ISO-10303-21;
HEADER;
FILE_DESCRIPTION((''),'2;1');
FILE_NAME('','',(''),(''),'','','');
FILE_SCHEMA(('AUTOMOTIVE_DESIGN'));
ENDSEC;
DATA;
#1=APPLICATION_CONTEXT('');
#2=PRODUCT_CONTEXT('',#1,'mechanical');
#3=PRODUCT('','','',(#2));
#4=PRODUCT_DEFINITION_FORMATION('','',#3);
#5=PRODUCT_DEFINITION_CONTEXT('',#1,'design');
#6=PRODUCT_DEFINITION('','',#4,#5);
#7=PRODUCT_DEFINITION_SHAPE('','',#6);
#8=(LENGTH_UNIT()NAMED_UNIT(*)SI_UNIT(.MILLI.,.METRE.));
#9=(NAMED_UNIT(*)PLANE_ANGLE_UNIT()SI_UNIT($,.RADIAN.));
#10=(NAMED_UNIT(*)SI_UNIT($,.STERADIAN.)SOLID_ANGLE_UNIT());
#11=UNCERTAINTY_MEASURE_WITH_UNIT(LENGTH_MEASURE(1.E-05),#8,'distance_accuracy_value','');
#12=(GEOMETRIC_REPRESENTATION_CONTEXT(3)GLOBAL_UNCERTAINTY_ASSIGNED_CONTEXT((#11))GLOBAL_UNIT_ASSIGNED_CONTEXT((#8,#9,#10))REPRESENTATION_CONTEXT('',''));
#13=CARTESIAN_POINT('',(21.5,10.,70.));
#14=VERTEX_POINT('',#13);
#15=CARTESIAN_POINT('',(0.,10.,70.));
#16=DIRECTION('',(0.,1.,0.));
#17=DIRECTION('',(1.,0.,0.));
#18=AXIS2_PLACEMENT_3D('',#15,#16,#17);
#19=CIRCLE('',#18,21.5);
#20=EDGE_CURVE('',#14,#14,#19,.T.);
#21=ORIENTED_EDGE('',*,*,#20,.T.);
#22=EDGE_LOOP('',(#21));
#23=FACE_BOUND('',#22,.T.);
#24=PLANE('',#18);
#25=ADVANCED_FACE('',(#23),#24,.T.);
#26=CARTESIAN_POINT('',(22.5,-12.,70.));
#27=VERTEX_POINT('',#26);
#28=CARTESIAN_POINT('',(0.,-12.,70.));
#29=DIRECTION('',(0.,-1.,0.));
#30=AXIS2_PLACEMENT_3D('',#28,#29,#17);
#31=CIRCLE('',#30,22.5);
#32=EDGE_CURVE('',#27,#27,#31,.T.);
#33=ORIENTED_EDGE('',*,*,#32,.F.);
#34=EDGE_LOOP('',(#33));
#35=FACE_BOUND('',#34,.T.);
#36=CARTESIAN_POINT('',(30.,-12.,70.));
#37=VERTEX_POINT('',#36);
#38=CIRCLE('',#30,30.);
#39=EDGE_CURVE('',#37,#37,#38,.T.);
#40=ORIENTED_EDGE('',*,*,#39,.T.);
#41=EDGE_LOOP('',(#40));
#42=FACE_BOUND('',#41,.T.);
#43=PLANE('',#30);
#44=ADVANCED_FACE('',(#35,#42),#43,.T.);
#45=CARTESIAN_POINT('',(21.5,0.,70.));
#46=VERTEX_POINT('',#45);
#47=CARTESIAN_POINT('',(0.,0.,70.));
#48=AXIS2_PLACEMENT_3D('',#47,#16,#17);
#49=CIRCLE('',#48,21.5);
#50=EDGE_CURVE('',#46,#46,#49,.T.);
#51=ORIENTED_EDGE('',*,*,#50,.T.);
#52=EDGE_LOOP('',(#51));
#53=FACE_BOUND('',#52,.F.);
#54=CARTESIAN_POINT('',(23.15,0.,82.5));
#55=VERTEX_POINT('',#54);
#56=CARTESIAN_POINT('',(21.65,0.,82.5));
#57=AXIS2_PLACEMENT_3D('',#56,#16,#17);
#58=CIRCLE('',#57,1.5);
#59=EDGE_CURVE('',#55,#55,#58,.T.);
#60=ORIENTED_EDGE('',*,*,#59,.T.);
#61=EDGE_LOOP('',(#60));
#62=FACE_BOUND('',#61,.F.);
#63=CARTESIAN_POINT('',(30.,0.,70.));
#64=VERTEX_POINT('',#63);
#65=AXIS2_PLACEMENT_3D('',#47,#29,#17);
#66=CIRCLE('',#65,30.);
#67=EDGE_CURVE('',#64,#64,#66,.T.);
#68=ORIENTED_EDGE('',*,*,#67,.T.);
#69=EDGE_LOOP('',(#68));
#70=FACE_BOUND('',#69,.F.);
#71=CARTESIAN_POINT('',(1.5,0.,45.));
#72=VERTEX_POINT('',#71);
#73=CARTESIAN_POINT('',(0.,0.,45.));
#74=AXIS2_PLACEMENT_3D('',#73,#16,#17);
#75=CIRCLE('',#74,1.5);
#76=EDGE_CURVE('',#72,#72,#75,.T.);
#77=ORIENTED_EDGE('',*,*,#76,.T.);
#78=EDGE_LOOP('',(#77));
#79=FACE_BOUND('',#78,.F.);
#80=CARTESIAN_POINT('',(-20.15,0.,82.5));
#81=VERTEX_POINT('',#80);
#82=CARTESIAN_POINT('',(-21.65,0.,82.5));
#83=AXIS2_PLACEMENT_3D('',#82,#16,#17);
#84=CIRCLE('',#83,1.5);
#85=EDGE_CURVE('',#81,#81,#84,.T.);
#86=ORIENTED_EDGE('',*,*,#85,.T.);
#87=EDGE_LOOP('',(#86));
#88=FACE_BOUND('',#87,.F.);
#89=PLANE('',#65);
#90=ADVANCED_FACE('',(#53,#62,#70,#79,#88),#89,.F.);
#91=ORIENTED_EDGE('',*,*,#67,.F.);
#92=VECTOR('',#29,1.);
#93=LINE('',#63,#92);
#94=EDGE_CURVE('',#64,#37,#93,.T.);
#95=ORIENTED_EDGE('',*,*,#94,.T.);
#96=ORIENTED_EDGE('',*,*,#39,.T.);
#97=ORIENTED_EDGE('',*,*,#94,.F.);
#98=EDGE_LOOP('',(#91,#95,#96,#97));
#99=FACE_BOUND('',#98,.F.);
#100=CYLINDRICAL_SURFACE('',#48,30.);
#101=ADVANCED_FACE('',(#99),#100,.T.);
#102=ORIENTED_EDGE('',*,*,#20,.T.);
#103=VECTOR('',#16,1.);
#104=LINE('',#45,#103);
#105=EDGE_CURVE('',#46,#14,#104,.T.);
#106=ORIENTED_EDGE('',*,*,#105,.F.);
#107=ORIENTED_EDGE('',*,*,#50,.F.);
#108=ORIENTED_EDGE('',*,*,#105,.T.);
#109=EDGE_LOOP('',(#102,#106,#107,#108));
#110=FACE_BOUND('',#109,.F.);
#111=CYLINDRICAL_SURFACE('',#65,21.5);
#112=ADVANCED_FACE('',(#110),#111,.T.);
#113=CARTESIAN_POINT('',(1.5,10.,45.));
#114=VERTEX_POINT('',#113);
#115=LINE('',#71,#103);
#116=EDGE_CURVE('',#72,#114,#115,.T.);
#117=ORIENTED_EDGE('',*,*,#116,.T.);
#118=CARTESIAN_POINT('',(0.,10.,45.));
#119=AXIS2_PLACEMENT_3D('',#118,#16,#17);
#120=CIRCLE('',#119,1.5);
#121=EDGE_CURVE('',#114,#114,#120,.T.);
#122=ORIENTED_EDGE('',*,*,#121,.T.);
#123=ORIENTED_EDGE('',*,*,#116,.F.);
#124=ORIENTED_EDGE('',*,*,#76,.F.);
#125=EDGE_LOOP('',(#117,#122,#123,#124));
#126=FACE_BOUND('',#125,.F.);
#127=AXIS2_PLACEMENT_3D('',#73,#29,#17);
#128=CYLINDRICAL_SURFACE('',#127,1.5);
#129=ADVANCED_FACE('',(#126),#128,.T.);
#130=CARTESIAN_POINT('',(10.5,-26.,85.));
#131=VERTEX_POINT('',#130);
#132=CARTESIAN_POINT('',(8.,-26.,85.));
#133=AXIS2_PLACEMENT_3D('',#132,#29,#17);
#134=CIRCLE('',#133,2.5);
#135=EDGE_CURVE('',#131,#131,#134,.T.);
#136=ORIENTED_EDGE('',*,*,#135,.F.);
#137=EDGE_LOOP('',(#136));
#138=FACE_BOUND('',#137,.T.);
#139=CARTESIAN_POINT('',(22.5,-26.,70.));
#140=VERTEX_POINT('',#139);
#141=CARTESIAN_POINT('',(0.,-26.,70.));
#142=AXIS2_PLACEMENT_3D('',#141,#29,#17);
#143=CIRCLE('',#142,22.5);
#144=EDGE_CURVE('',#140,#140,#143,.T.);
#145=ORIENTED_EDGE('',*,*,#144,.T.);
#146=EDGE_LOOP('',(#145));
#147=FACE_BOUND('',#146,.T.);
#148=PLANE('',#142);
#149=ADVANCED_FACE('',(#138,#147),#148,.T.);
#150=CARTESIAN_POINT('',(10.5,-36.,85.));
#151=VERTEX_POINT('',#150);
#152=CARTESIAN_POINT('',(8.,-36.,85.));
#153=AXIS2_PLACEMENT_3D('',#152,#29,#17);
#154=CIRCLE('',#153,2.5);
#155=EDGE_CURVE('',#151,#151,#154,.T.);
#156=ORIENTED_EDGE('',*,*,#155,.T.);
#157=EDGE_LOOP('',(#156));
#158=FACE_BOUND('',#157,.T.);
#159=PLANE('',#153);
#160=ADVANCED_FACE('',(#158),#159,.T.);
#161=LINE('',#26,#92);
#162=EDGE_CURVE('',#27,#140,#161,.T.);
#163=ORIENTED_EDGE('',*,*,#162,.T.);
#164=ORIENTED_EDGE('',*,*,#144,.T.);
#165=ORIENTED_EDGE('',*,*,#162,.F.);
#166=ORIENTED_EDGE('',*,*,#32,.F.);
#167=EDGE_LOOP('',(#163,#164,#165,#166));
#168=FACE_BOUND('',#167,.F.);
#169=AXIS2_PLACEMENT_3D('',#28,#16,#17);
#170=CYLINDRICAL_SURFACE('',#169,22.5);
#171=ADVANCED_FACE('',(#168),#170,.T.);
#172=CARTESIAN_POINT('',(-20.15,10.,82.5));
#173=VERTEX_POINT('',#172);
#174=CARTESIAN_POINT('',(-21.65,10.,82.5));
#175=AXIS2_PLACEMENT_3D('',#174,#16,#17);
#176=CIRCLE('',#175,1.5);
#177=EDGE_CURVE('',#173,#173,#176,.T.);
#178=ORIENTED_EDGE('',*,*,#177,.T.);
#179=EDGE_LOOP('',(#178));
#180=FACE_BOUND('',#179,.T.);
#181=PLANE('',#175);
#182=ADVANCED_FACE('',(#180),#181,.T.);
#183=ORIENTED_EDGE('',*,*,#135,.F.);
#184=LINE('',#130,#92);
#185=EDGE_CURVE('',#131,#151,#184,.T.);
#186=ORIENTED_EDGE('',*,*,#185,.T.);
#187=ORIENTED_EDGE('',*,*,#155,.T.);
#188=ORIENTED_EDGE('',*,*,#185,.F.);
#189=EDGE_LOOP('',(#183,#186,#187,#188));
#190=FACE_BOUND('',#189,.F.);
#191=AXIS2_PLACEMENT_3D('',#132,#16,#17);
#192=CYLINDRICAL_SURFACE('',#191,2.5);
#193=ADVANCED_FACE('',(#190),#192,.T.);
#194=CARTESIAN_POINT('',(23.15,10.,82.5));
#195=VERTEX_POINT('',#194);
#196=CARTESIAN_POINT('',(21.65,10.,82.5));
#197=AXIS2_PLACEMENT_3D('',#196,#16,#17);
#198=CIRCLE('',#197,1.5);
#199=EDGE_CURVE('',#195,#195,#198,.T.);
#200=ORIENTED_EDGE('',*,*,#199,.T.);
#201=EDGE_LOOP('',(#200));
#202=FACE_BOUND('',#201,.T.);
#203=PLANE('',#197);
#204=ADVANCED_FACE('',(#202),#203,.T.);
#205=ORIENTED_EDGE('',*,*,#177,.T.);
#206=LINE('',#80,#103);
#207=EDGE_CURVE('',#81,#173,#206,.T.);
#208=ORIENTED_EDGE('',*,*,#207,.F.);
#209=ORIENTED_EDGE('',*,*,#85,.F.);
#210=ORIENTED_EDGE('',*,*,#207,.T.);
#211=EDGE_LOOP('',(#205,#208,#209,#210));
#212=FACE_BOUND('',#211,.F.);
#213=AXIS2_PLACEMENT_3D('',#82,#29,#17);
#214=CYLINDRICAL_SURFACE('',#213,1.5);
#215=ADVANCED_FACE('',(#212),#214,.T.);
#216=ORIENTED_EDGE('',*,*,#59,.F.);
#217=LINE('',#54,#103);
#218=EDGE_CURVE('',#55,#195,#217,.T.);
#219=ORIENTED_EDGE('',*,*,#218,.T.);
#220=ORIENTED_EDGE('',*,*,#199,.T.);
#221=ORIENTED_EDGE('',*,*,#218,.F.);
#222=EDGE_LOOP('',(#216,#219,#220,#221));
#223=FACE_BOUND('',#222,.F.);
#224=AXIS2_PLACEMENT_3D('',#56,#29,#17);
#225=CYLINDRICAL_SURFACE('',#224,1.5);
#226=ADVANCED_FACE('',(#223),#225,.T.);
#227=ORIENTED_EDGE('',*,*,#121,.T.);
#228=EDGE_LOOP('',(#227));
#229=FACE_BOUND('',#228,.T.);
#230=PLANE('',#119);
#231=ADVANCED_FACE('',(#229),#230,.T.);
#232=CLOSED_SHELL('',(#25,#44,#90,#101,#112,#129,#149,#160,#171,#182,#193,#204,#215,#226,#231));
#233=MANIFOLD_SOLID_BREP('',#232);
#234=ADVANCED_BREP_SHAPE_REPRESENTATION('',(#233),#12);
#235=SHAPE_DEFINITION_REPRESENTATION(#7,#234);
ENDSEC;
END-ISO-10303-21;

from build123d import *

# Parameters (mm, degrees)
SKETCH001_R             = 30
PAD001_DEPTH            = 12
SKETCH002_R             = 22.5
PAD002_DEPTH            = 14
SKETCH003_R             = 21.5
PAD003_DEPTH            = 10
SKETCH004_R             = 1.5
PAD004_DEPTH            = 10
SKETCH005_R             = 2.5
PAD005_DEPTH            = 10
BODY001_PLACEMENT_ANGLE = 90


with BuildPart() as part:
    # Sketch001 → Pad001 (new body)
    with BuildSketch(Plane.XY):
        Circle(SKETCH001_R)
    extrude(amount=PAD001_DEPTH)

    # Sketch002 (on Face3 of Pad001) → Pad002 (join)
    with BuildSketch(Plane.XY.offset(12)):
        Circle(SKETCH002_R)
    extrude(amount=PAD002_DEPTH)

    # Sketch003 (on Face2 of Pad002) → Pad003 (join)
    with BuildSketch(Plane(origin=(0, 0, 0), x_dir=(1, 0, 0), z_dir=(0, 0, -1))):
        Circle(SKETCH003_R)
    extrude(amount=PAD003_DEPTH)

    # Sketch004 (on Face2 of Pad003) → Pad004 (join)
    with BuildSketch(Plane(origin=(0, 0, 0), x_dir=(1, 0, 0), z_dir=(0, 0, -1))):
        with Locations((0, 25)):
            Circle(SKETCH004_R)
        with Locations((21.65, -12.5)):
            Circle(SKETCH004_R)
        with Locations((-21.65, -12.5)):
            Circle(SKETCH004_R)
    extrude(amount=PAD004_DEPTH)

    # Sketch005 (on Face13 of Pad004) → Pad005 (join)
    with BuildSketch(Plane.XY.offset(26)):
        with Locations((8, 15)):
            Circle(SKETCH005_R)
    extrude(amount=PAD005_DEPTH)


with BuildPart() as part_1:
    # Body001 placement: moved
    add(part.part.moved(Location((0, 0, 70))).rotate(Axis((0, 0, 70), (1, 0, 0)), BODY001_PLACEMENT_ANGLE))


solid = part_1.part
